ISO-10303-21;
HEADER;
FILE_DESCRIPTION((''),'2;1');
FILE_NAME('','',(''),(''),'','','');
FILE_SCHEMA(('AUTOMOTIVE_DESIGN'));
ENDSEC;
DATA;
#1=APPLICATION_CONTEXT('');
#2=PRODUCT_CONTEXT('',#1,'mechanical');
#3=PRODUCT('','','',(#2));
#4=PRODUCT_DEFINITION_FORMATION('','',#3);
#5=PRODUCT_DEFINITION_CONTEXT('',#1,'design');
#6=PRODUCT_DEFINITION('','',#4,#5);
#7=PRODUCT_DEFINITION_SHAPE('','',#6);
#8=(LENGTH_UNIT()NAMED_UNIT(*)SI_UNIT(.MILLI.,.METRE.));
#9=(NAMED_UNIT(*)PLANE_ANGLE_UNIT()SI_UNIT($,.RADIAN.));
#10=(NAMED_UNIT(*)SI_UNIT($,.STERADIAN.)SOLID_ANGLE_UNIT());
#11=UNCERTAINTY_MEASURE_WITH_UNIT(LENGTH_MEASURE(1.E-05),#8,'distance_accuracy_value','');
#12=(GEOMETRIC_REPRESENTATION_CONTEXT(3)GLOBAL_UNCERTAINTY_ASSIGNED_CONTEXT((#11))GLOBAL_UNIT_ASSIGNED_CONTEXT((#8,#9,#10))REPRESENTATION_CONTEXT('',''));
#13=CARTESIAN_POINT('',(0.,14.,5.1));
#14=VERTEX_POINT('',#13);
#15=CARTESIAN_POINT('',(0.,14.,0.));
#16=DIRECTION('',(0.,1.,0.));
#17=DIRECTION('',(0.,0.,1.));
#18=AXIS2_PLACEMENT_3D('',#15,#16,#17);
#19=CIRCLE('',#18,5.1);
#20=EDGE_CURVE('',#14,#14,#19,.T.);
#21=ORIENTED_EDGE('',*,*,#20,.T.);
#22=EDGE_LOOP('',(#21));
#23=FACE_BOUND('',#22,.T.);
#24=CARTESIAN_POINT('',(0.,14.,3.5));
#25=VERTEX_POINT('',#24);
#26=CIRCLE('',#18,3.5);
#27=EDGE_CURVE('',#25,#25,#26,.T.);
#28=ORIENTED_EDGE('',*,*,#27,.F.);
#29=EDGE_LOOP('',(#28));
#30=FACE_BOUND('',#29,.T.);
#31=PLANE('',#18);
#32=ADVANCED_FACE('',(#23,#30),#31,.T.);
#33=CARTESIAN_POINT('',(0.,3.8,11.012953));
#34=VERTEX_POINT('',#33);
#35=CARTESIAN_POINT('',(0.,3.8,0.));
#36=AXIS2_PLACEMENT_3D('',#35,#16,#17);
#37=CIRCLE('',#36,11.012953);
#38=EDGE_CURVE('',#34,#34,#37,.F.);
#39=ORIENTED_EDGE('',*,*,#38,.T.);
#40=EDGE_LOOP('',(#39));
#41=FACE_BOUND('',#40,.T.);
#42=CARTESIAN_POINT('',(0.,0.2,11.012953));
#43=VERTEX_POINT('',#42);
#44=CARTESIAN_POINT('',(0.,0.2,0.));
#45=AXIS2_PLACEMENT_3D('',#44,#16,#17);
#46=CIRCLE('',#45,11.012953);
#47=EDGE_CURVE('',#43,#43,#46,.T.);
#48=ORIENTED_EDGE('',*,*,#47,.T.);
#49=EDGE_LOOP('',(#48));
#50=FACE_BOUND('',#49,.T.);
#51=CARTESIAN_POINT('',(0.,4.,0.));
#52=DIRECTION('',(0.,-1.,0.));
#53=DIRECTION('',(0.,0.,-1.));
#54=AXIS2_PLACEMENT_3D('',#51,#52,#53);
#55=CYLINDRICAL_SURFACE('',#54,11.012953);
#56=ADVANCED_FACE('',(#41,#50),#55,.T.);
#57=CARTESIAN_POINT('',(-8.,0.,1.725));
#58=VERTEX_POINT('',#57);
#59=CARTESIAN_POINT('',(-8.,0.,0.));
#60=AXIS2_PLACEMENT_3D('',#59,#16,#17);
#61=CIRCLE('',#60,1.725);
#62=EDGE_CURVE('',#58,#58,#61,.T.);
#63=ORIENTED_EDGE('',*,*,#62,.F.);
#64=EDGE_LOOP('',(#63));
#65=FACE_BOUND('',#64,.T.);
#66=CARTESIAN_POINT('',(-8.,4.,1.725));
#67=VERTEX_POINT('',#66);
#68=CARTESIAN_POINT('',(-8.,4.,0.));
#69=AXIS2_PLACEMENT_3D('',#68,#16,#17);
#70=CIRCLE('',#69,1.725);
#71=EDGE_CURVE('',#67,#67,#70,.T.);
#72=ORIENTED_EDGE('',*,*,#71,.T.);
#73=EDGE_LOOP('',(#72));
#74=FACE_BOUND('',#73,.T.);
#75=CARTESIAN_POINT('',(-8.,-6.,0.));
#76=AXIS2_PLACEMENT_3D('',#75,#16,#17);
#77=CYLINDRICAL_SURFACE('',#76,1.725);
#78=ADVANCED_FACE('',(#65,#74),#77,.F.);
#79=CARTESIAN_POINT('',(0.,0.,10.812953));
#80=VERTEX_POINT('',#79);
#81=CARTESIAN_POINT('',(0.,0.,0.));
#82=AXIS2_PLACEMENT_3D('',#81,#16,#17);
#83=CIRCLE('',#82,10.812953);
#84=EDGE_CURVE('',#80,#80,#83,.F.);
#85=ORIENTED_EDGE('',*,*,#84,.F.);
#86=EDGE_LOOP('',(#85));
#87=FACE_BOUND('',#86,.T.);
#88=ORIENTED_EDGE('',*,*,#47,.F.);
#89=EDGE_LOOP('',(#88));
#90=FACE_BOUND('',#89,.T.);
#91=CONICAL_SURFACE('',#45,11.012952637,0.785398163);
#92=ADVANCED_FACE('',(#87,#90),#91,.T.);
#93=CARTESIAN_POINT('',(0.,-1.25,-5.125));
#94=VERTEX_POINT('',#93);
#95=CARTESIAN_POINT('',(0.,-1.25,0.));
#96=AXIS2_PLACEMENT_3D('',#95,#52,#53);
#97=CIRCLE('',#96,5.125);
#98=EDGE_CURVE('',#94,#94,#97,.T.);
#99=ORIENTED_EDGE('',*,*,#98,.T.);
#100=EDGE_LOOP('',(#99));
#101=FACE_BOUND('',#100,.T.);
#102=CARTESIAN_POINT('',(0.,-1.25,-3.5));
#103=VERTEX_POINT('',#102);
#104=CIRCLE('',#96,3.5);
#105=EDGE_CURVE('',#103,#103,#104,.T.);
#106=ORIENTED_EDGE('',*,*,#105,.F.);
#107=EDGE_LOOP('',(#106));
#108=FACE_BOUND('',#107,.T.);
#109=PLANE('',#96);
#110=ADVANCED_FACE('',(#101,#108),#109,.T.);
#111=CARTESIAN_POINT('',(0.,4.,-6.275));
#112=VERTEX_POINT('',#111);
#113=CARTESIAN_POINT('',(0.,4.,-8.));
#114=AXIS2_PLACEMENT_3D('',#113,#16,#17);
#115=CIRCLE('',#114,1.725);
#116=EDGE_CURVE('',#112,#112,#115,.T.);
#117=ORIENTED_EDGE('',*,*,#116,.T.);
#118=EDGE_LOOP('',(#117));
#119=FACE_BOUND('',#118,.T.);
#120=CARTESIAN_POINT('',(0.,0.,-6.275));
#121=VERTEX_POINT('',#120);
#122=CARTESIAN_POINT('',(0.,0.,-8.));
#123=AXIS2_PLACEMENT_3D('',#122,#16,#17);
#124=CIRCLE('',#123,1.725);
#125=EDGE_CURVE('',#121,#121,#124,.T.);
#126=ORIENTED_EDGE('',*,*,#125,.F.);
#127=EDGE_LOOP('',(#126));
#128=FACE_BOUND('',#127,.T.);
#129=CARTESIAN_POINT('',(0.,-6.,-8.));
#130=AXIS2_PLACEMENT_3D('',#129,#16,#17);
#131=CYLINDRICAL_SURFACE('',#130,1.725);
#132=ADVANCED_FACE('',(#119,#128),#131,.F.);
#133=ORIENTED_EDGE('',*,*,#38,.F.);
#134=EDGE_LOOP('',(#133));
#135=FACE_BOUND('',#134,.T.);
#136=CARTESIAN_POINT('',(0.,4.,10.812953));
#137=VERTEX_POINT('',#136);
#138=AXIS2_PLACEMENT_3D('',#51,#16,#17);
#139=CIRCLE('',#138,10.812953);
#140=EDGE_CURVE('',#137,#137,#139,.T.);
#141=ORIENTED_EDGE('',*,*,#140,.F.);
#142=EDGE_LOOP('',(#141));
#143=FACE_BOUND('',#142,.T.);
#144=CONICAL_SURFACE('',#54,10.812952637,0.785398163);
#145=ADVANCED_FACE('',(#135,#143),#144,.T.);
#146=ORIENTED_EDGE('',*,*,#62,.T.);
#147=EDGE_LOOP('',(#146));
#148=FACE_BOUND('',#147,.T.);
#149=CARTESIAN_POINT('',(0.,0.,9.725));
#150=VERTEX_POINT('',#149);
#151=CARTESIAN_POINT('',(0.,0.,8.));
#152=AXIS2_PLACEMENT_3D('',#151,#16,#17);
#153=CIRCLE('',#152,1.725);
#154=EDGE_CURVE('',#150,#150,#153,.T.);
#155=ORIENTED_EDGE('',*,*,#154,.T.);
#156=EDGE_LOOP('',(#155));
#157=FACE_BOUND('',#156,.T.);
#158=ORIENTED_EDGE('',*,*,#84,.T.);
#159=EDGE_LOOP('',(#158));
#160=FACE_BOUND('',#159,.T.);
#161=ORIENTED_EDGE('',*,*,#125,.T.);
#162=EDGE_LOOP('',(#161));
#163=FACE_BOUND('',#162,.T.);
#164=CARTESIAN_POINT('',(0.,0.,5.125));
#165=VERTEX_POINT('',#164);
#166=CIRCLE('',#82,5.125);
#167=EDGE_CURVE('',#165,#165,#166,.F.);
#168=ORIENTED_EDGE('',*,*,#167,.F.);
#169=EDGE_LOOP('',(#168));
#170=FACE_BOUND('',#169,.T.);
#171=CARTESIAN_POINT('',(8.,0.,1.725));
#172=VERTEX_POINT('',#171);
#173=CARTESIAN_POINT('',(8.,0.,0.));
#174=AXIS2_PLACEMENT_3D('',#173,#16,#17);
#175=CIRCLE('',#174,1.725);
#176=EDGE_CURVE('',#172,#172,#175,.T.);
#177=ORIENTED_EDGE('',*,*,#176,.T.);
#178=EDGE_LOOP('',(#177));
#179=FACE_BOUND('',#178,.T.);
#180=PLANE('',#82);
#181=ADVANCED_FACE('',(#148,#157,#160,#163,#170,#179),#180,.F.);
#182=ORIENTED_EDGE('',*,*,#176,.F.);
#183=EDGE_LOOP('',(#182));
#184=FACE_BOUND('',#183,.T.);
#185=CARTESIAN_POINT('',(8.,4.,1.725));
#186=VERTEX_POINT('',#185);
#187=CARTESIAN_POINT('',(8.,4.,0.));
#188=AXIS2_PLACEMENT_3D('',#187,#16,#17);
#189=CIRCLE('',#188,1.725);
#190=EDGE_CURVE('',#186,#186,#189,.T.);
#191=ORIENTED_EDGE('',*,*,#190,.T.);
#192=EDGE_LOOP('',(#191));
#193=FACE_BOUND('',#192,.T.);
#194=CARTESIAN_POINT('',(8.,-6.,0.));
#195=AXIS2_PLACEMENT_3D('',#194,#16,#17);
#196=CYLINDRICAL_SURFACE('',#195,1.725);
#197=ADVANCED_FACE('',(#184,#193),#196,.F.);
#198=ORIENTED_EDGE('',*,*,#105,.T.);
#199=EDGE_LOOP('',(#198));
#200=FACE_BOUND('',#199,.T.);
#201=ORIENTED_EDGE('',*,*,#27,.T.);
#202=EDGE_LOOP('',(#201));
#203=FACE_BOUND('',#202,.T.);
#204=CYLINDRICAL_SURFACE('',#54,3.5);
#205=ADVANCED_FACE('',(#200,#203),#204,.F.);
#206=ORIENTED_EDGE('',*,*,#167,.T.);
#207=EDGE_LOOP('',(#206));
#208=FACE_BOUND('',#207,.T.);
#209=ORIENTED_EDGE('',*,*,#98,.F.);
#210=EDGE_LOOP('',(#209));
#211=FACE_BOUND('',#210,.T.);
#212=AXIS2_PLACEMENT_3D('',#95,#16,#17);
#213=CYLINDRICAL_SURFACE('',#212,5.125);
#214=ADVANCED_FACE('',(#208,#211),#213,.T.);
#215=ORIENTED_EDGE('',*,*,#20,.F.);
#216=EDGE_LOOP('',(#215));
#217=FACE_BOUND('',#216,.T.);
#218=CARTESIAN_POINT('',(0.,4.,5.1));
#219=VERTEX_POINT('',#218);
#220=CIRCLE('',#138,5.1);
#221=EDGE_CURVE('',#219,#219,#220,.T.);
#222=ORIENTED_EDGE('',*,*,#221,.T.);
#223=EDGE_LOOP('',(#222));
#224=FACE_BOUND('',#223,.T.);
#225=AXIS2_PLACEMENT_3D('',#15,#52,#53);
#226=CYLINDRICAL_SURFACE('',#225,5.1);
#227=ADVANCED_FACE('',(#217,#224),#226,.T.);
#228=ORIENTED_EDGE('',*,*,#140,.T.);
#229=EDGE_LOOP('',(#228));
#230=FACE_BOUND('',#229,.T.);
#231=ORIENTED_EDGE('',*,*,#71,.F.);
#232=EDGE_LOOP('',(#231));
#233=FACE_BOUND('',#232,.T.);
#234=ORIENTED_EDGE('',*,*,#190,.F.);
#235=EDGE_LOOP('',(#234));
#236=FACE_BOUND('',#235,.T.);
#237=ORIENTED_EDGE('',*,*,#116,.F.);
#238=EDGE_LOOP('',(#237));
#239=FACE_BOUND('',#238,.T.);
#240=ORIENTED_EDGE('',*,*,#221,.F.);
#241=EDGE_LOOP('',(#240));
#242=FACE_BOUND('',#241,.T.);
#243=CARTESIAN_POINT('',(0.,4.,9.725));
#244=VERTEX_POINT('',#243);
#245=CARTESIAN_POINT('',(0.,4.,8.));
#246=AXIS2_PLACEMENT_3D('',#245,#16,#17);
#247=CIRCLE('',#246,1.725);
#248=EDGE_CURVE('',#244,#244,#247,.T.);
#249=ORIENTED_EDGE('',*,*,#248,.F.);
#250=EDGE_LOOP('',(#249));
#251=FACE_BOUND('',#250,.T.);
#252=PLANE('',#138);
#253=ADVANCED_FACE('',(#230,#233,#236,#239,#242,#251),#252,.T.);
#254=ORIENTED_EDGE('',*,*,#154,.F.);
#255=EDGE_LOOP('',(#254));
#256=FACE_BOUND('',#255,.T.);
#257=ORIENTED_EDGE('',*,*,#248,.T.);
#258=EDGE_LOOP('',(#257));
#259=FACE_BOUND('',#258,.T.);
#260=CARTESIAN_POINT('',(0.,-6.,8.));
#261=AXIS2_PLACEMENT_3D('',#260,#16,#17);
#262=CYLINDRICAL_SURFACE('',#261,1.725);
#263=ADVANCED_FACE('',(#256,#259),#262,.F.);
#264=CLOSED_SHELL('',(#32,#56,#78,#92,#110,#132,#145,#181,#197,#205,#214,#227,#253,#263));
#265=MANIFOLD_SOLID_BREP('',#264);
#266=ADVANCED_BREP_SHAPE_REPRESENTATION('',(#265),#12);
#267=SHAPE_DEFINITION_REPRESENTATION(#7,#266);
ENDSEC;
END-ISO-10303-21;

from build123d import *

# Parameters (mm, degrees)
SKETCH1_R           = 11.012952637
SKETCH1_R_2         = 3.5
BOSS_EXTRUDE1_DEPTH = 4
SKETCH3_R           = 5.1
SKETCH3_R_2         = 3.5
BOSS_EXTRUDE2_DEPTH = 10
BOSS_EXTRUDE3_START = 1.25
SKETCH4_R           = 5.125
SKETCH4_R_2         = 3.5
BOSS_EXTRUDE3_DEPTH = 1.25
CHAMFER1_SIZE       = 0.2
SKETCH2_R           = 1.725
CUT_EXTRUDE1_DEPTH  = 10


with BuildPart() as part:
    # Sketch1 → Boss-Extrude1 (new body)
    with BuildSketch(Plane(origin=(0, 0, 0), x_dir=(1, 0, 0), z_dir=(0, 1, 0))):
        with Locations(Location((0, 0, 0), (0, 0, 270))):
            Circle(SKETCH1_R)
        with Locations(Location((0, 0, 0), (0, 0, 270))):
            Circle(SKETCH1_R_2, mode=Mode.SUBTRACT)
    extrude(amount=BOSS_EXTRUDE1_DEPTH)

    # Sketch3 → Boss-Extrude2 (add)
    with BuildSketch(Plane(origin=(0, 4, 0), x_dir=(1, 0, 0), z_dir=(0, 1, 0))):
        with Locations(Location((0, 0, 0), (0, 0, 270))):
            Circle(SKETCH3_R)
        with Locations(Location((0, 0, 0), (0, 0, 270))):
            Circle(SKETCH3_R_2, mode=Mode.SUBTRACT)
    extrude(amount=BOSS_EXTRUDE2_DEPTH)

    # Sketch4 → Boss-Extrude3 (add)
    with BuildSketch(Plane(origin=(0, 0, 0), x_dir=(-1, 0, 0), z_dir=(0, -1, 0)).offset(BOSS_EXTRUDE3_START)):
        with Locations(Location((0, 0, 0), (0, 0, 270))):
            Circle(SKETCH4_R)
        with Locations(Location((0, 0, 0), (0, 0, 90))):
            Circle(SKETCH4_R_2, mode=Mode.SUBTRACT)
    extrude(amount=-BOSS_EXTRUDE3_DEPTH)

    # Chamfer1
    chamfer1_edges = [part.edges().sort_by_distance(p)[0] for p in [
        (0, 0, -11.012952637),
        (0, 4, -11.012952637),
    ]]
    chamfer(chamfer1_edges, length=CHAMFER1_SIZE)

    # Sketch2 → Cut-Extrude1 (cut)
    with BuildSketch(Plane(origin=(0, 4, 0), x_dir=(1, 0, 0), z_dir=(0, 1, 0))):
        with Locations(Location((8, 0, 0), (0, 0, 270))):
            Circle(SKETCH2_R)
        with Locations(Location((0, -8, 0), (0, 0, 270))):
            Circle(SKETCH2_R)
        with Locations(Location((-8, 0, 0), (0, 0, 270))):
            Circle(SKETCH2_R)
        with Locations(Location((0, 8, 0), (0, 0, 270))):
            Circle(SKETCH2_R)
    extrude(amount=-CUT_EXTRUDE1_DEPTH, mode=Mode.SUBTRACT)


solid = part.part
